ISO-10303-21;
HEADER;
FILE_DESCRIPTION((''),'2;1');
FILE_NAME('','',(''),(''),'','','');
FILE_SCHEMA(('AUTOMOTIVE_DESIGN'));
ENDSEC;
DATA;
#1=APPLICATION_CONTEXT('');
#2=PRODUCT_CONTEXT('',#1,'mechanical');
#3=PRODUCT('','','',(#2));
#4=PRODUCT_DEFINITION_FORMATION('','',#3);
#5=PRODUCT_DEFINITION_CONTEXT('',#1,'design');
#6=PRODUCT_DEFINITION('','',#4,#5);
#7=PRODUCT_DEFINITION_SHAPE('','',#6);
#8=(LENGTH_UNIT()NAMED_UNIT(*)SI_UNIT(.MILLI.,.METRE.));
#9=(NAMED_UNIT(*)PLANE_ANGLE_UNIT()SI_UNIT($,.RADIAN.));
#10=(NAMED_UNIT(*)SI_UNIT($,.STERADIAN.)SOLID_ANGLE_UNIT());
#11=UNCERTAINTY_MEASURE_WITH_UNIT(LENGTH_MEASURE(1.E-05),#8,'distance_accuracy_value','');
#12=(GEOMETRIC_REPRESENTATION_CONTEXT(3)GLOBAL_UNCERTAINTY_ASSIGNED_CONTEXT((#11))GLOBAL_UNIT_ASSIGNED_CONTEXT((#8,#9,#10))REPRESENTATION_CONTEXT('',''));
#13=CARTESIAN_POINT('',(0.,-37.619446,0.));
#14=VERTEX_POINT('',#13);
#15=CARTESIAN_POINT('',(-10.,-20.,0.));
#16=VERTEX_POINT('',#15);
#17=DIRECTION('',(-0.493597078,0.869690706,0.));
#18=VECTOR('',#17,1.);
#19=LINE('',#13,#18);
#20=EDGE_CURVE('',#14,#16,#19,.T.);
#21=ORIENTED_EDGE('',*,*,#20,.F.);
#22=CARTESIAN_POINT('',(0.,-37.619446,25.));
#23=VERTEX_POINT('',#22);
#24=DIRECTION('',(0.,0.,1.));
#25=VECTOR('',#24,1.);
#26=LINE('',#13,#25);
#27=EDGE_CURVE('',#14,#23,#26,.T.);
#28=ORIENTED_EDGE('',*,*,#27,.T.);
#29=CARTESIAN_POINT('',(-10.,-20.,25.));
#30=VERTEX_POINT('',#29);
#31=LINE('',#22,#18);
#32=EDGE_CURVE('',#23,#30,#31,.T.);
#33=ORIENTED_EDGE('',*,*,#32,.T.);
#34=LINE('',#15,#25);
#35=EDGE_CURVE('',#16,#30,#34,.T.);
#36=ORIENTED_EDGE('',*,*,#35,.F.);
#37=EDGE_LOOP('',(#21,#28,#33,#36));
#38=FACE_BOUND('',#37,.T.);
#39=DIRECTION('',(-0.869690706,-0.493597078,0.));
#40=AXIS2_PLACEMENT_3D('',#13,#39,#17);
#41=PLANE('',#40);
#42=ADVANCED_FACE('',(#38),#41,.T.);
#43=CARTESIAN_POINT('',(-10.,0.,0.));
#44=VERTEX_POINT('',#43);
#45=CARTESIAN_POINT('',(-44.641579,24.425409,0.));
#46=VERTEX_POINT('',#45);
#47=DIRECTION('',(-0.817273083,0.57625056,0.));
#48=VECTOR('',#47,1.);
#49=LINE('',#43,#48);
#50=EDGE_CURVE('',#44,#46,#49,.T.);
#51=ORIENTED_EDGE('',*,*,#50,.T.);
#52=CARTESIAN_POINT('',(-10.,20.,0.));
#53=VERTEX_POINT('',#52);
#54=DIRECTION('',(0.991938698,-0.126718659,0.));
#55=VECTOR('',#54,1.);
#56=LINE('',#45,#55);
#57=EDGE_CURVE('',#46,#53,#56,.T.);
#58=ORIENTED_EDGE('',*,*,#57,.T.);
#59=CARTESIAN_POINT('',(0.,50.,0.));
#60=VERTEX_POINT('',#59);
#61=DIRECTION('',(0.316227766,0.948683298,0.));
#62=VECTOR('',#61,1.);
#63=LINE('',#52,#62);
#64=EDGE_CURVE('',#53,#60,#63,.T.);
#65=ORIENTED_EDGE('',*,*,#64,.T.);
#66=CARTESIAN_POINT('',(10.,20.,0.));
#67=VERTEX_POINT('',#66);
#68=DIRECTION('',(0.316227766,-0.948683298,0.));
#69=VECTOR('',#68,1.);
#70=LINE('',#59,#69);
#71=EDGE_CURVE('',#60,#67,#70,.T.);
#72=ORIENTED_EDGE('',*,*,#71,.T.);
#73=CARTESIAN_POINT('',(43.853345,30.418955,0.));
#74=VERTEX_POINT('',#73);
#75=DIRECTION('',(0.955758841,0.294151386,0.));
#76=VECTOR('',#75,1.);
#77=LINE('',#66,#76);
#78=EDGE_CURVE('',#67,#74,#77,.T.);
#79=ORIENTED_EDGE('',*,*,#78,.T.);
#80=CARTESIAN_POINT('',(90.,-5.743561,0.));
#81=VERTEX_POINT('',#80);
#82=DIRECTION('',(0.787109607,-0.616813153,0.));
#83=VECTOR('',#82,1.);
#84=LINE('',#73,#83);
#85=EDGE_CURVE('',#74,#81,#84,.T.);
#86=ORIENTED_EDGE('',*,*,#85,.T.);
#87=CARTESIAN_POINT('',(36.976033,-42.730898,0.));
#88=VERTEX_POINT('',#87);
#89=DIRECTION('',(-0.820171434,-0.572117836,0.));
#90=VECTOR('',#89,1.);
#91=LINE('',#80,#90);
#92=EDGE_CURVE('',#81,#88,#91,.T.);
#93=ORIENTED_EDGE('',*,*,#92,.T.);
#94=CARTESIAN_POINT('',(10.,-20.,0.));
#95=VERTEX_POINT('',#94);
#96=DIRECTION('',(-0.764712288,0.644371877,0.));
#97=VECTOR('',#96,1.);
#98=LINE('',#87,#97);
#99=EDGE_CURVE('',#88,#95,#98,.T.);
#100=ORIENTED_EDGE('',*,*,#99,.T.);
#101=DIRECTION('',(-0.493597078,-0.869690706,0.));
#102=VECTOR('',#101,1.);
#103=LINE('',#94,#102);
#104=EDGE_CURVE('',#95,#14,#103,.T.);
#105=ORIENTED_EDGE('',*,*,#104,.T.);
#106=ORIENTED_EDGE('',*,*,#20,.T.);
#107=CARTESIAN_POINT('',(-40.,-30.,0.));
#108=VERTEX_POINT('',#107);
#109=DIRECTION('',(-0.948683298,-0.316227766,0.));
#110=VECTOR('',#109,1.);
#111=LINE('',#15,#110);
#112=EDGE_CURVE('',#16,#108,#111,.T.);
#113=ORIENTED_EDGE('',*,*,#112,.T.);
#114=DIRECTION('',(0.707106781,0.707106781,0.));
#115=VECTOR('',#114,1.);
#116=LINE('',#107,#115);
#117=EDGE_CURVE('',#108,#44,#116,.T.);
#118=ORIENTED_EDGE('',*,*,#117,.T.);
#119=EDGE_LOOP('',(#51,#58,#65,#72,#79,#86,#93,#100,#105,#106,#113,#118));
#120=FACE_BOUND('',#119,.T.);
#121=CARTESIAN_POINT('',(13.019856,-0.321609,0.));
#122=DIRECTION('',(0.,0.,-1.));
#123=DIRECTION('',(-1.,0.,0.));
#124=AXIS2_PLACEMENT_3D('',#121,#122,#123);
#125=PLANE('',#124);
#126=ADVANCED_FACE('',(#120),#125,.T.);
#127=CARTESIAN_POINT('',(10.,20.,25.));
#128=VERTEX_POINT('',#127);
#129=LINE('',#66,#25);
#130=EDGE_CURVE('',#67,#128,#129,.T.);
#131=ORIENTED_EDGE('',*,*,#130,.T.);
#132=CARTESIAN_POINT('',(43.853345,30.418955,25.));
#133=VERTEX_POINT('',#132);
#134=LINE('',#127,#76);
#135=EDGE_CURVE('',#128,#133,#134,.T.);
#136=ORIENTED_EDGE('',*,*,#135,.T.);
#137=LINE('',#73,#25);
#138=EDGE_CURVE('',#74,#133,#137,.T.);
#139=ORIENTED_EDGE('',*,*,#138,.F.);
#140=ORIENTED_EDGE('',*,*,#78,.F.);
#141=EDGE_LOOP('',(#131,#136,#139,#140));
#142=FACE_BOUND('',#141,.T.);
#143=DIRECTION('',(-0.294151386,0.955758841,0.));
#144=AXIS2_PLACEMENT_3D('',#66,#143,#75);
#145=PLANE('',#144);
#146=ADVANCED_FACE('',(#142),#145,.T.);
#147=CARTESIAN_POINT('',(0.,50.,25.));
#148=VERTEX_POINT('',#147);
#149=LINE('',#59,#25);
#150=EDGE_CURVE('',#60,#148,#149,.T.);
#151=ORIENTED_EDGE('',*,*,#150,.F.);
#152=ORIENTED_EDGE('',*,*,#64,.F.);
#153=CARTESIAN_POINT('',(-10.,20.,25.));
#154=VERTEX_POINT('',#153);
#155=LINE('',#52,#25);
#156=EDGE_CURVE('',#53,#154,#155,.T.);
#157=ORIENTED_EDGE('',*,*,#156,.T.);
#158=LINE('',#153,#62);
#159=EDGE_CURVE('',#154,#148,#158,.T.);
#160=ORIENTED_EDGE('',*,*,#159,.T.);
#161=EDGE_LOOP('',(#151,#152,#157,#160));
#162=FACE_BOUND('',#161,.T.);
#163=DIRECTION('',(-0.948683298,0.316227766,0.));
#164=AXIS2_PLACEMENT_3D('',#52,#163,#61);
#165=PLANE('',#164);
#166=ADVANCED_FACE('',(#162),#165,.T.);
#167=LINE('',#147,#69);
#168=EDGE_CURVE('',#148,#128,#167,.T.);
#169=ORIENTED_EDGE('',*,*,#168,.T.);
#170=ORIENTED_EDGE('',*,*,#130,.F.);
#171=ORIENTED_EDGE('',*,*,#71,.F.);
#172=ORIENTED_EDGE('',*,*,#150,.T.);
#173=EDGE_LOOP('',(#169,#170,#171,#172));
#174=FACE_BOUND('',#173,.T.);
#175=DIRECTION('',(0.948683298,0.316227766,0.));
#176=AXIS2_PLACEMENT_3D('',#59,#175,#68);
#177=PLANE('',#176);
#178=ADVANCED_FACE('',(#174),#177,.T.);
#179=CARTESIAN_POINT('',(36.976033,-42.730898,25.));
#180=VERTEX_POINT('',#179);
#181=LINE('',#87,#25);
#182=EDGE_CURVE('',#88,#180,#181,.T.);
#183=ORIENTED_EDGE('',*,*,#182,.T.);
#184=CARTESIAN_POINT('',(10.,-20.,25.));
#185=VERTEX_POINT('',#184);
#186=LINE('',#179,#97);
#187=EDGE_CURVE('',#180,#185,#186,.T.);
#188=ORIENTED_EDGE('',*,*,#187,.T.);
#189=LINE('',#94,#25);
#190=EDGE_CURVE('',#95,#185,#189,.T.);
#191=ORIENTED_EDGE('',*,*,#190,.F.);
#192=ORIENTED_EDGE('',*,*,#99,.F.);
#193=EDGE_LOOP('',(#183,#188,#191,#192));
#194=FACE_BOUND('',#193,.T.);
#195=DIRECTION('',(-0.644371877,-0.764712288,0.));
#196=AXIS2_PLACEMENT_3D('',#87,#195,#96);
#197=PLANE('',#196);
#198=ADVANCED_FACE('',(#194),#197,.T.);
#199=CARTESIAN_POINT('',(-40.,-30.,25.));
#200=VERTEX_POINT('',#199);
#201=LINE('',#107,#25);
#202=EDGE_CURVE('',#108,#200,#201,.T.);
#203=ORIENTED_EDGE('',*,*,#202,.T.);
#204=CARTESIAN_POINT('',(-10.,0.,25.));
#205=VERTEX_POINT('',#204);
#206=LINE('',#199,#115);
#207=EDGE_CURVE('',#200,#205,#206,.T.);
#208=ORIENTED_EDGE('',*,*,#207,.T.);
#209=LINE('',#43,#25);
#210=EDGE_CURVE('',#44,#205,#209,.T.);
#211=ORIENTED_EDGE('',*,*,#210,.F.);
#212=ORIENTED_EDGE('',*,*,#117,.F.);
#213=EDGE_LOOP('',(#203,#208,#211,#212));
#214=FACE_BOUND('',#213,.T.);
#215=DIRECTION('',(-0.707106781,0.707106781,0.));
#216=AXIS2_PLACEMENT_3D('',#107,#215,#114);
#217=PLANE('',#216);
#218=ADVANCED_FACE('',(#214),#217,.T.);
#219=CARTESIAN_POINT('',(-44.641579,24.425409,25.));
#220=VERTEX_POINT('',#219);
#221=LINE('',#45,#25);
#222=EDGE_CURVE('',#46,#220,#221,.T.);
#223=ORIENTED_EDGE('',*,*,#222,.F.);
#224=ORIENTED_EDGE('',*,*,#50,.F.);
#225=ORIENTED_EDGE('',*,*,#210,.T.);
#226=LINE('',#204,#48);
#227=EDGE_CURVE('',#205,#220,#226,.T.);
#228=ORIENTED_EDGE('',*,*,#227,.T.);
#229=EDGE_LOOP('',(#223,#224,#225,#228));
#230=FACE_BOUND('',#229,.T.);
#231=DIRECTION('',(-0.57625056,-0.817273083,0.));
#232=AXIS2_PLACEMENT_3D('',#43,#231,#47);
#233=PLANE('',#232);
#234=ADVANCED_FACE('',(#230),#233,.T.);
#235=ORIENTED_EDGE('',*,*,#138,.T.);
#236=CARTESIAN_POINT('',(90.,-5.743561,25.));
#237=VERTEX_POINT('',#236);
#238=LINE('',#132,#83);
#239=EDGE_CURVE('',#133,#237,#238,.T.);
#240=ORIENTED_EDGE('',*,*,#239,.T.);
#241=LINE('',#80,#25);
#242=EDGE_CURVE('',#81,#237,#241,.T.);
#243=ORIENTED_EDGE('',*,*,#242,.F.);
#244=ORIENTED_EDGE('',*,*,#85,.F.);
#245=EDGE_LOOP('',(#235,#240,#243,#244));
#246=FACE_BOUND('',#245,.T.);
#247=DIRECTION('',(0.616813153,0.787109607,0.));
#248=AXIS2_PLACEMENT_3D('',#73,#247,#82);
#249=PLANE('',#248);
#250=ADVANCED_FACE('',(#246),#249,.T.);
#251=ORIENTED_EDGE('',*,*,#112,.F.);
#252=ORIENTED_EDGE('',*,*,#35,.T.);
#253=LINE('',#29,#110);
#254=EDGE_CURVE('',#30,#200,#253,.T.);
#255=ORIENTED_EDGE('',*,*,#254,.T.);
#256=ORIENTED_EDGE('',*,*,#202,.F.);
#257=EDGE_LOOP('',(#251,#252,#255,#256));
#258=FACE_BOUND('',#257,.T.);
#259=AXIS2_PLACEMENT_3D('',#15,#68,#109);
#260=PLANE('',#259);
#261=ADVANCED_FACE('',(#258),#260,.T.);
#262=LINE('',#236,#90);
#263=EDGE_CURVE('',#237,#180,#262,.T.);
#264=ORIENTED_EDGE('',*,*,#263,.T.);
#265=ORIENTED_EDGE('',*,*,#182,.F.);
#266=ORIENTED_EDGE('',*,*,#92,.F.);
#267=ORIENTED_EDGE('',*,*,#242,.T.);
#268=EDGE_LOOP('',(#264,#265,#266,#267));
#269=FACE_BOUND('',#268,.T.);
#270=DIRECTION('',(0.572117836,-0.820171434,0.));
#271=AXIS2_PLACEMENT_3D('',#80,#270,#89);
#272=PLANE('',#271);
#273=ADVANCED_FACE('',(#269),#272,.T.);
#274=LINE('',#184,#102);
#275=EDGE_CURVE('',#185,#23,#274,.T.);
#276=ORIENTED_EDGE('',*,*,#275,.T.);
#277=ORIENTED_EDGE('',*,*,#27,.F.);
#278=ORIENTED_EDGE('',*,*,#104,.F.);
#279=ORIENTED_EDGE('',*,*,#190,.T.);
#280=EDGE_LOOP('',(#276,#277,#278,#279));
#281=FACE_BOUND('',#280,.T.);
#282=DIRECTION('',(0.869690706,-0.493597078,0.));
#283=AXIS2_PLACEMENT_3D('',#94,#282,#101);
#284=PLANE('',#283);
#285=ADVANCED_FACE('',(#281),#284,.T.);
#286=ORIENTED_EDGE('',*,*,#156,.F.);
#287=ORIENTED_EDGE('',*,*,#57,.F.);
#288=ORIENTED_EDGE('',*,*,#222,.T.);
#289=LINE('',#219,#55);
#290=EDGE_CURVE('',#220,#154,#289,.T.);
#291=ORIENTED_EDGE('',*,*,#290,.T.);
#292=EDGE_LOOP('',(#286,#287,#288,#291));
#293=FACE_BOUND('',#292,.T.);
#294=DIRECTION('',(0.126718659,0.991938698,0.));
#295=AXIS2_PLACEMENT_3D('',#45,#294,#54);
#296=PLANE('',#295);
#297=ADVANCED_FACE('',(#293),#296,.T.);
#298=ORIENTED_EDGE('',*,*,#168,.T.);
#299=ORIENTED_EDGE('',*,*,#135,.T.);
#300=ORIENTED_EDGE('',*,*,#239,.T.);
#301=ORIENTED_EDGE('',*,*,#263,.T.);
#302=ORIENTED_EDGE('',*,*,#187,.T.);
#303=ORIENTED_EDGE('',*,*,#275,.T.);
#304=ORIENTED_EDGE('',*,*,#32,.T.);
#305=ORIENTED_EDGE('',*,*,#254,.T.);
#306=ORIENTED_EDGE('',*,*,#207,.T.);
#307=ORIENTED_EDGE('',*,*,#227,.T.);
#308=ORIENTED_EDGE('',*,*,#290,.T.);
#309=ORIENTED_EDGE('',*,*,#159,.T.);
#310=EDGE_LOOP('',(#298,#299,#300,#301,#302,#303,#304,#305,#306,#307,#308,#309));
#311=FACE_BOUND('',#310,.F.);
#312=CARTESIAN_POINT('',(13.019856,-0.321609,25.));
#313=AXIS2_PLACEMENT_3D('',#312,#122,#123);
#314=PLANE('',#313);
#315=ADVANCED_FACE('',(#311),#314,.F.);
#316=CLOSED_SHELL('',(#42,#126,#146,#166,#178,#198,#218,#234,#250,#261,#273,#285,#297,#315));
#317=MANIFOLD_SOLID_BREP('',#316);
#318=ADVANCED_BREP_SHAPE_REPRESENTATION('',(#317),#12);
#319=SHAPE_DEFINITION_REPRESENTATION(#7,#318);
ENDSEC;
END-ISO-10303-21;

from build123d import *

# Parameters (mm, degrees)
PAD_DEPTH = 25


with BuildPart() as part:
    # Sketch → Pad (new body)
    with BuildSketch(Plane.XY):
        Polygon((0, 50), (10, 20), (43.853345, 30.418955), (90, -5.743561), (36.976033, -42.730898), (10, -20), (0, -37.619446), (-10, -20), (-40, -30), (-10, 0), (-44.641579, 24.425409), (-10, 20), align=None)
    extrude(amount=PAD_DEPTH)


solid = part.part
